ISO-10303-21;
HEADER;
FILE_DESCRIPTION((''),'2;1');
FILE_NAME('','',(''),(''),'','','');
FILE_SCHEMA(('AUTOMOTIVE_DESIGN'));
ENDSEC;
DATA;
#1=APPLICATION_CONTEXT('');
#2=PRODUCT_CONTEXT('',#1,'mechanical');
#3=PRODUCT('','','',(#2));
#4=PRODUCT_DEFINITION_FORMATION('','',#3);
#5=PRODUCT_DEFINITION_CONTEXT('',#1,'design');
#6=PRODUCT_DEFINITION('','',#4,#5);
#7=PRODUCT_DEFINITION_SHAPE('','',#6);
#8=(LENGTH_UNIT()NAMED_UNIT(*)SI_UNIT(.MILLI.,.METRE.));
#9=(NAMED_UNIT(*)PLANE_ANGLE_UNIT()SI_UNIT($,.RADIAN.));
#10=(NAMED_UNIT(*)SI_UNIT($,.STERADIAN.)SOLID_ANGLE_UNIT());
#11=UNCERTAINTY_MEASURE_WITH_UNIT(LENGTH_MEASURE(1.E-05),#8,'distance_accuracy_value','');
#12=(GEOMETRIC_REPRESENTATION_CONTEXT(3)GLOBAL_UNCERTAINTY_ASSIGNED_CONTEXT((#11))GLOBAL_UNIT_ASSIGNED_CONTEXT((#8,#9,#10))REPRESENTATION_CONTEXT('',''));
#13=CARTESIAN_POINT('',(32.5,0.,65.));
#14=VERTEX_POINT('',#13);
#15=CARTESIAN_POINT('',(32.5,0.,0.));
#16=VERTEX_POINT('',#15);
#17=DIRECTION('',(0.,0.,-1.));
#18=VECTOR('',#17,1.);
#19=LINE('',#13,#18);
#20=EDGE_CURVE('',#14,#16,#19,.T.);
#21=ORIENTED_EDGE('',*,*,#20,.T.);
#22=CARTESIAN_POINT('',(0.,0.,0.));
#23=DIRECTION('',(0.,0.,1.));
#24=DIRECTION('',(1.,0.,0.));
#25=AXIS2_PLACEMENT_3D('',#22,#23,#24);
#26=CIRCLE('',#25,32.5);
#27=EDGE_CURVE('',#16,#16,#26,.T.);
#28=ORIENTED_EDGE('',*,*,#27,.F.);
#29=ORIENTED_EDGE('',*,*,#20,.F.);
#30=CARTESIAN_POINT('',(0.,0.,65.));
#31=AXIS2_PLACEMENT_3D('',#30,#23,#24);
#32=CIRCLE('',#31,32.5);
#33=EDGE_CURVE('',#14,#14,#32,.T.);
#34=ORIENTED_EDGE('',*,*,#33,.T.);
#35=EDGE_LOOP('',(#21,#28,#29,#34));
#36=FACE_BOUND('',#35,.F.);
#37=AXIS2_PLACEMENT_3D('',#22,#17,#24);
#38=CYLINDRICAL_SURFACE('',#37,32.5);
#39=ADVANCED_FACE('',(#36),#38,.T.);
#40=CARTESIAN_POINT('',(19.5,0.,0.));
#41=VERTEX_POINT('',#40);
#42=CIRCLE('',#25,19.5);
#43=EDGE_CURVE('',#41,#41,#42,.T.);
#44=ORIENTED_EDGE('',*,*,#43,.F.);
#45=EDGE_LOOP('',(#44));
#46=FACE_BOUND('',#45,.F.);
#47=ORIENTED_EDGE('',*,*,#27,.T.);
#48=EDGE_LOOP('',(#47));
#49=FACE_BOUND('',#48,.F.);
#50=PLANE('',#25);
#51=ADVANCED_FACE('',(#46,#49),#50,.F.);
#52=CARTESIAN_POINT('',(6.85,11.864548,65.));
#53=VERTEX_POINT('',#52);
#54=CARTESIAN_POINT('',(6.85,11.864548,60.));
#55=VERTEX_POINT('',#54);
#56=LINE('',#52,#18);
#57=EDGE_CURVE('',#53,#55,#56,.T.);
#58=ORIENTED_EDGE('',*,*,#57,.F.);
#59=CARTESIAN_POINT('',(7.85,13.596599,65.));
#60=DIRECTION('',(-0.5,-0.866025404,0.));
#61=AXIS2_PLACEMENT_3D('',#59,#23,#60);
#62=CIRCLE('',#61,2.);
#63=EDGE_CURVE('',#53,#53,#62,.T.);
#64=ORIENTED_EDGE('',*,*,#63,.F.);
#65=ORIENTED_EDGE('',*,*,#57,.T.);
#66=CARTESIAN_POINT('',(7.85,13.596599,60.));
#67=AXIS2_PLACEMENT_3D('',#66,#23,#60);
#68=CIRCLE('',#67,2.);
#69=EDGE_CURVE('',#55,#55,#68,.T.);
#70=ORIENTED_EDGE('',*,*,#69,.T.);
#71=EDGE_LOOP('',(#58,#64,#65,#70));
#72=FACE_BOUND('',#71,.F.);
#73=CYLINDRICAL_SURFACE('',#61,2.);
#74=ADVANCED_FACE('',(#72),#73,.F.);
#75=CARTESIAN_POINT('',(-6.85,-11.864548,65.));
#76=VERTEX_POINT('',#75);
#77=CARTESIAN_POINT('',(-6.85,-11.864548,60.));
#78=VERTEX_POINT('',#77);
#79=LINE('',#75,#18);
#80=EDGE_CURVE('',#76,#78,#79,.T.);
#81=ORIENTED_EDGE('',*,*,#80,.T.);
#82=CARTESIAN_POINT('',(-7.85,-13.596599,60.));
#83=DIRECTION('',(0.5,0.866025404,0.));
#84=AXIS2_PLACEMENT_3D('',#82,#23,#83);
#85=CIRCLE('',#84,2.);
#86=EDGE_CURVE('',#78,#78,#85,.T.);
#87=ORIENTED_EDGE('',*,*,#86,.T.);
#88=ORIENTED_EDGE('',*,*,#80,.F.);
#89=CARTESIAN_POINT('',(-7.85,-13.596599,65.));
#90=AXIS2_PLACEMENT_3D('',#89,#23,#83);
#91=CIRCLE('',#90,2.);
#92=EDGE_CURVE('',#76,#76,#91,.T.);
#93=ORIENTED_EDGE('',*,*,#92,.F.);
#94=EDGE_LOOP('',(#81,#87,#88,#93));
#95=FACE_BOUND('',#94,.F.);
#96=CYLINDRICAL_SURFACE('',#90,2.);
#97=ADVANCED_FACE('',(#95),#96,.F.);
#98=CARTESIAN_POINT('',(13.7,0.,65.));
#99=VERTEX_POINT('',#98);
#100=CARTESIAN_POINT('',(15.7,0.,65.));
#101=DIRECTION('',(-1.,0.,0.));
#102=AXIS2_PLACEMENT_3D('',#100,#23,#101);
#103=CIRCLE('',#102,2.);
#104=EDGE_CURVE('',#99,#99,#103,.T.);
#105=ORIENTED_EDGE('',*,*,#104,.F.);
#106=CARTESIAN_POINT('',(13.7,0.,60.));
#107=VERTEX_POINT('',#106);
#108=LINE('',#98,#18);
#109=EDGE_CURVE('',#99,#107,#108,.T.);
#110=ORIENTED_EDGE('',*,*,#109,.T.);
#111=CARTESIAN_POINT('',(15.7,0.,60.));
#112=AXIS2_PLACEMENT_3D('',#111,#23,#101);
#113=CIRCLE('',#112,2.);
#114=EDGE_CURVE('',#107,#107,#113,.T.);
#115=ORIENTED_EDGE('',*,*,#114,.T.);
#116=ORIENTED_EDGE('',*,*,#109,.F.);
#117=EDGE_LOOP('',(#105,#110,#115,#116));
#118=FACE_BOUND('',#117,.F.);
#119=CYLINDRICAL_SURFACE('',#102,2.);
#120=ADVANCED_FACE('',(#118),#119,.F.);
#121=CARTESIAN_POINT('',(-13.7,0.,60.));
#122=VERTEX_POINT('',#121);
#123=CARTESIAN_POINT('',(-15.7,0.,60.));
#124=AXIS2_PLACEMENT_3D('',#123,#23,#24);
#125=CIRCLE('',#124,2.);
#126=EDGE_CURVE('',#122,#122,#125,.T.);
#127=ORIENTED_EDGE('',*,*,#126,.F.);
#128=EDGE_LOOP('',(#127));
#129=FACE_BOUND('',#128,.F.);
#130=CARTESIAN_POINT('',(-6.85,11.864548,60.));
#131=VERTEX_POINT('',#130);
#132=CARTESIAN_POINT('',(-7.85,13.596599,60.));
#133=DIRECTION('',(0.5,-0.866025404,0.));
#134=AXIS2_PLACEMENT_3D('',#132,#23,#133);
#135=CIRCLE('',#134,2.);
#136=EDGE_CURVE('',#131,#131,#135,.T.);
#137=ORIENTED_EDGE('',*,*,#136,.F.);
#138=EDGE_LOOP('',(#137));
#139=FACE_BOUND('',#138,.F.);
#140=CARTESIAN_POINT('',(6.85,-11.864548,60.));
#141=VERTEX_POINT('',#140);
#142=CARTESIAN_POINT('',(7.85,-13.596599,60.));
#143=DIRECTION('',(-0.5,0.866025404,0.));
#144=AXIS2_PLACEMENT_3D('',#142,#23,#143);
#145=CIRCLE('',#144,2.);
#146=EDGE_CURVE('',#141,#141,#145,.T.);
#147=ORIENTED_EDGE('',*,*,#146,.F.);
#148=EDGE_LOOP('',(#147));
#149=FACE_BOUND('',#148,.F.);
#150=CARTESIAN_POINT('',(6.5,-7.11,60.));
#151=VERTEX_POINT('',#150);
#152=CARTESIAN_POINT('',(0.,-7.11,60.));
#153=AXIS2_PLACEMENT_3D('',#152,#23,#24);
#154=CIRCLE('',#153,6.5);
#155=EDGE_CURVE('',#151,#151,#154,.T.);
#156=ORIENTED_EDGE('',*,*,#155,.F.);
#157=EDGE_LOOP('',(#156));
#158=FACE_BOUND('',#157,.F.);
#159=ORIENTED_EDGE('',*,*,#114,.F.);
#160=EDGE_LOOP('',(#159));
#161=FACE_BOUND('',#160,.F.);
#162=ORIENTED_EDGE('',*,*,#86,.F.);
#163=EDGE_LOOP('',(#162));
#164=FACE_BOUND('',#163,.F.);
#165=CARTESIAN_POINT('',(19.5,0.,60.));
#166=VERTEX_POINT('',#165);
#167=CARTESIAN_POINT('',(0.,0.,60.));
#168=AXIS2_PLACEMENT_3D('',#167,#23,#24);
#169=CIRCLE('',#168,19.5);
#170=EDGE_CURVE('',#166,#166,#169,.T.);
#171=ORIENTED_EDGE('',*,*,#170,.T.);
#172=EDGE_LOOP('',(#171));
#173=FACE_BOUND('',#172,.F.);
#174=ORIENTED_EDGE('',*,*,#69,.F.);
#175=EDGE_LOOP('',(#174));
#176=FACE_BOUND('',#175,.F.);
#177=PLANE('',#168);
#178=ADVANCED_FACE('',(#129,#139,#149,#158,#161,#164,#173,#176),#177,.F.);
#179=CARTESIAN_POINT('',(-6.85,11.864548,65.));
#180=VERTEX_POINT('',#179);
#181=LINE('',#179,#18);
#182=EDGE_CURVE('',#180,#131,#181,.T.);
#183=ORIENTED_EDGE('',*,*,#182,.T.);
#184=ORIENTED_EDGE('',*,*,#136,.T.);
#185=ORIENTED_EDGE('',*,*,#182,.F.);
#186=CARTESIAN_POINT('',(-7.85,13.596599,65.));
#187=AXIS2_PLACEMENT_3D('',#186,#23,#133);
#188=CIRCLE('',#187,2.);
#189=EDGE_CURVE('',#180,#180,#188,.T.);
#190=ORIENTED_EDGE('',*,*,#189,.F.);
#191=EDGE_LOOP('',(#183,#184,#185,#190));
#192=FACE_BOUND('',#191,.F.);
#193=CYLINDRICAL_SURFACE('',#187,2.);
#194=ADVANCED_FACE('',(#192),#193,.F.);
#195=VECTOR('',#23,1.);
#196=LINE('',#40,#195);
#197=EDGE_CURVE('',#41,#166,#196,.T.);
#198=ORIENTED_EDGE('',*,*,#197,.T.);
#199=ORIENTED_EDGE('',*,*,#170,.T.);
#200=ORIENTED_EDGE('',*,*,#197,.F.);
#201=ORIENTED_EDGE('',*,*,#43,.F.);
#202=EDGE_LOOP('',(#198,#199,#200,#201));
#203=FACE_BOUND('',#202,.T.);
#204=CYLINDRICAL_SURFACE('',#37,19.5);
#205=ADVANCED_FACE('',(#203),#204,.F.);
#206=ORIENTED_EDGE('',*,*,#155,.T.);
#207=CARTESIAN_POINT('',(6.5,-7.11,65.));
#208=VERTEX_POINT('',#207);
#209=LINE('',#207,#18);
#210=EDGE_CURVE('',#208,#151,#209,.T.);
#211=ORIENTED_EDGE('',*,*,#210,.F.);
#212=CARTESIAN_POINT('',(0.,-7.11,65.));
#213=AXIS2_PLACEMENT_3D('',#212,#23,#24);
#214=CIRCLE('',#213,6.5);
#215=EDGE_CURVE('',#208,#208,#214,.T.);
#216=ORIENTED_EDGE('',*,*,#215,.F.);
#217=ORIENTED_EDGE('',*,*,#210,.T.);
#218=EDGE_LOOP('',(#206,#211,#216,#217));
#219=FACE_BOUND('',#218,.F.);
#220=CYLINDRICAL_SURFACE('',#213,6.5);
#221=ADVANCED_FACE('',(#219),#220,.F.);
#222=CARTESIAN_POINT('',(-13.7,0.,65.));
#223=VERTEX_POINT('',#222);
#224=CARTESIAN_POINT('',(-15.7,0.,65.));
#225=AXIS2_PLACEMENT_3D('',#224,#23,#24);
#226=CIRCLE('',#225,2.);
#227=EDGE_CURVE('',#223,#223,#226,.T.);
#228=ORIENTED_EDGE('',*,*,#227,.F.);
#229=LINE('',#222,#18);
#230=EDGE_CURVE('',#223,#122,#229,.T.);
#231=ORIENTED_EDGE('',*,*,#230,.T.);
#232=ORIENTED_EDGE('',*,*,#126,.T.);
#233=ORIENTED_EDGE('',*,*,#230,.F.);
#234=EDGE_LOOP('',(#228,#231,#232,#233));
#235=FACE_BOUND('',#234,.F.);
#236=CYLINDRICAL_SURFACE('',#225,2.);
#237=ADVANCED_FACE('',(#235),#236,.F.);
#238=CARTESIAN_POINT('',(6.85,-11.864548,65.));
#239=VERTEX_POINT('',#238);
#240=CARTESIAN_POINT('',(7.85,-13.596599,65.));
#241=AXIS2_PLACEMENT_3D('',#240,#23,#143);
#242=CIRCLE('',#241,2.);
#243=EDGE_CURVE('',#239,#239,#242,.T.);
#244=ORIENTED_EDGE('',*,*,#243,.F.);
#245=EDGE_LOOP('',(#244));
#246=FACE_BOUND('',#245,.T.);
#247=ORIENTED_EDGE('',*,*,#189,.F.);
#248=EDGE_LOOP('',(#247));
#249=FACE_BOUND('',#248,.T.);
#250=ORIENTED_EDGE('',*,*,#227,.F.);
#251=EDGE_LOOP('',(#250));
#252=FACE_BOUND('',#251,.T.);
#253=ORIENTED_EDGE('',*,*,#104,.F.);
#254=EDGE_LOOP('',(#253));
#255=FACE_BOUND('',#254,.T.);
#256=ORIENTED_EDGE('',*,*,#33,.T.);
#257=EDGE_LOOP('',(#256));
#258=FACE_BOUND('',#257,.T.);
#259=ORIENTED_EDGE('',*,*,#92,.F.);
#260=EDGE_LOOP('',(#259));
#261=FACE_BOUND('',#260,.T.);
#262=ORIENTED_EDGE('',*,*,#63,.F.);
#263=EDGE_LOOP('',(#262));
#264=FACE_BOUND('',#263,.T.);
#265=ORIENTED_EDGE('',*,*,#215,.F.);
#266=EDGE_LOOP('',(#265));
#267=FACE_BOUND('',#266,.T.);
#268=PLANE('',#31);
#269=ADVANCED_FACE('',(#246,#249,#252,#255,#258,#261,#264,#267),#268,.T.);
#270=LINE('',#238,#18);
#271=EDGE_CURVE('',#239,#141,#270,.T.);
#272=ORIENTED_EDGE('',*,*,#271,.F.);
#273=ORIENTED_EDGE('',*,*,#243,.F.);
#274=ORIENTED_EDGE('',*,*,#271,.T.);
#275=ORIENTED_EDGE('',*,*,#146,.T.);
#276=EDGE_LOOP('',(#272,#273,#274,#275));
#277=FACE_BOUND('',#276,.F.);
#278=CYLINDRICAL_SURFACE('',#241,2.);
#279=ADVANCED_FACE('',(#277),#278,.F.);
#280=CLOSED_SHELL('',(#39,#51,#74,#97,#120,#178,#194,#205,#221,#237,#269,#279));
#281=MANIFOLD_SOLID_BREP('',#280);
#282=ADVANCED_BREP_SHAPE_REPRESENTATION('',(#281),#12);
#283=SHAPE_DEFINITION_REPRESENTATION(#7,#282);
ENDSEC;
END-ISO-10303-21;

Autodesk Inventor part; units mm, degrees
ref_plane "YZ Plane" through (0, 0, 0) normal (1, 0, 0) x (0, 1, 0)
ref_plane "XZ Plane" through (0, 0, 0) normal (0, 1, 0) x (-1, 0, 0)
ref_plane "XY Plane" through (0, 0, 0) normal (0, 0, 1) x (1, 0, 0)
sketch "Sketch1" plane through (0, 0, 0) normal (0, 0, 1) x (1, 0, 0)
  point P0 (0, 0)
sketch "Sketch2" plane through (0, 0, 0) normal (0, 0, 1) x (1, 0, 0)
  circle A0 centre (0, 0) radius 32.5
  circle A1 centre (0, 0) radius 19.5
  dimension "d0" = 65
  dimension "d1" = 39
extrude "Extrusion1" add sketch "Sketch2" along normal blind 60
sketch "Sketch3" plane through (0, 0, 60) normal (0, 0, 1) x (1, 0, 0)
  circle A0 centre (0, 0) radius 32.5 projected
extrude "Extrusion2" add sketch "Sketch3" along normal blind 5
sketch "Sketch4" plane through (0, 0, 65) normal (0, 0, 1) x (1, 0, 0)
  circle A0 centre (-15.7, 0) radius 2
  circle A1 centre (0, 0) radius 32.5 projected
  point P0 (2.1, 0)
  dimension "d6" = 4
  dimension "d27" = 15.7
extrude "Extrusion3" cut sketch "Sketch4" against normal blind 5 contours A0
sketch "Sketch5" plane through (0, 0, 65) normal (0, 0, 1) x (1, 0, 0)
  circle A0 centre (0, -7.11) radius 6.5
  point P0 (0, 0)
  dimension "d14" = 7.11
  dimension "d15" = 13
extrude "Extrusion4" cut sketch "Sketch5" against normal blind 5
pattern_circular "Circular Pattern1" count 6 over 360 about axis through (0, 0, -10) along (0, 0, 1) of "Extrusion3"
properties part number "SoporteMotor2"
